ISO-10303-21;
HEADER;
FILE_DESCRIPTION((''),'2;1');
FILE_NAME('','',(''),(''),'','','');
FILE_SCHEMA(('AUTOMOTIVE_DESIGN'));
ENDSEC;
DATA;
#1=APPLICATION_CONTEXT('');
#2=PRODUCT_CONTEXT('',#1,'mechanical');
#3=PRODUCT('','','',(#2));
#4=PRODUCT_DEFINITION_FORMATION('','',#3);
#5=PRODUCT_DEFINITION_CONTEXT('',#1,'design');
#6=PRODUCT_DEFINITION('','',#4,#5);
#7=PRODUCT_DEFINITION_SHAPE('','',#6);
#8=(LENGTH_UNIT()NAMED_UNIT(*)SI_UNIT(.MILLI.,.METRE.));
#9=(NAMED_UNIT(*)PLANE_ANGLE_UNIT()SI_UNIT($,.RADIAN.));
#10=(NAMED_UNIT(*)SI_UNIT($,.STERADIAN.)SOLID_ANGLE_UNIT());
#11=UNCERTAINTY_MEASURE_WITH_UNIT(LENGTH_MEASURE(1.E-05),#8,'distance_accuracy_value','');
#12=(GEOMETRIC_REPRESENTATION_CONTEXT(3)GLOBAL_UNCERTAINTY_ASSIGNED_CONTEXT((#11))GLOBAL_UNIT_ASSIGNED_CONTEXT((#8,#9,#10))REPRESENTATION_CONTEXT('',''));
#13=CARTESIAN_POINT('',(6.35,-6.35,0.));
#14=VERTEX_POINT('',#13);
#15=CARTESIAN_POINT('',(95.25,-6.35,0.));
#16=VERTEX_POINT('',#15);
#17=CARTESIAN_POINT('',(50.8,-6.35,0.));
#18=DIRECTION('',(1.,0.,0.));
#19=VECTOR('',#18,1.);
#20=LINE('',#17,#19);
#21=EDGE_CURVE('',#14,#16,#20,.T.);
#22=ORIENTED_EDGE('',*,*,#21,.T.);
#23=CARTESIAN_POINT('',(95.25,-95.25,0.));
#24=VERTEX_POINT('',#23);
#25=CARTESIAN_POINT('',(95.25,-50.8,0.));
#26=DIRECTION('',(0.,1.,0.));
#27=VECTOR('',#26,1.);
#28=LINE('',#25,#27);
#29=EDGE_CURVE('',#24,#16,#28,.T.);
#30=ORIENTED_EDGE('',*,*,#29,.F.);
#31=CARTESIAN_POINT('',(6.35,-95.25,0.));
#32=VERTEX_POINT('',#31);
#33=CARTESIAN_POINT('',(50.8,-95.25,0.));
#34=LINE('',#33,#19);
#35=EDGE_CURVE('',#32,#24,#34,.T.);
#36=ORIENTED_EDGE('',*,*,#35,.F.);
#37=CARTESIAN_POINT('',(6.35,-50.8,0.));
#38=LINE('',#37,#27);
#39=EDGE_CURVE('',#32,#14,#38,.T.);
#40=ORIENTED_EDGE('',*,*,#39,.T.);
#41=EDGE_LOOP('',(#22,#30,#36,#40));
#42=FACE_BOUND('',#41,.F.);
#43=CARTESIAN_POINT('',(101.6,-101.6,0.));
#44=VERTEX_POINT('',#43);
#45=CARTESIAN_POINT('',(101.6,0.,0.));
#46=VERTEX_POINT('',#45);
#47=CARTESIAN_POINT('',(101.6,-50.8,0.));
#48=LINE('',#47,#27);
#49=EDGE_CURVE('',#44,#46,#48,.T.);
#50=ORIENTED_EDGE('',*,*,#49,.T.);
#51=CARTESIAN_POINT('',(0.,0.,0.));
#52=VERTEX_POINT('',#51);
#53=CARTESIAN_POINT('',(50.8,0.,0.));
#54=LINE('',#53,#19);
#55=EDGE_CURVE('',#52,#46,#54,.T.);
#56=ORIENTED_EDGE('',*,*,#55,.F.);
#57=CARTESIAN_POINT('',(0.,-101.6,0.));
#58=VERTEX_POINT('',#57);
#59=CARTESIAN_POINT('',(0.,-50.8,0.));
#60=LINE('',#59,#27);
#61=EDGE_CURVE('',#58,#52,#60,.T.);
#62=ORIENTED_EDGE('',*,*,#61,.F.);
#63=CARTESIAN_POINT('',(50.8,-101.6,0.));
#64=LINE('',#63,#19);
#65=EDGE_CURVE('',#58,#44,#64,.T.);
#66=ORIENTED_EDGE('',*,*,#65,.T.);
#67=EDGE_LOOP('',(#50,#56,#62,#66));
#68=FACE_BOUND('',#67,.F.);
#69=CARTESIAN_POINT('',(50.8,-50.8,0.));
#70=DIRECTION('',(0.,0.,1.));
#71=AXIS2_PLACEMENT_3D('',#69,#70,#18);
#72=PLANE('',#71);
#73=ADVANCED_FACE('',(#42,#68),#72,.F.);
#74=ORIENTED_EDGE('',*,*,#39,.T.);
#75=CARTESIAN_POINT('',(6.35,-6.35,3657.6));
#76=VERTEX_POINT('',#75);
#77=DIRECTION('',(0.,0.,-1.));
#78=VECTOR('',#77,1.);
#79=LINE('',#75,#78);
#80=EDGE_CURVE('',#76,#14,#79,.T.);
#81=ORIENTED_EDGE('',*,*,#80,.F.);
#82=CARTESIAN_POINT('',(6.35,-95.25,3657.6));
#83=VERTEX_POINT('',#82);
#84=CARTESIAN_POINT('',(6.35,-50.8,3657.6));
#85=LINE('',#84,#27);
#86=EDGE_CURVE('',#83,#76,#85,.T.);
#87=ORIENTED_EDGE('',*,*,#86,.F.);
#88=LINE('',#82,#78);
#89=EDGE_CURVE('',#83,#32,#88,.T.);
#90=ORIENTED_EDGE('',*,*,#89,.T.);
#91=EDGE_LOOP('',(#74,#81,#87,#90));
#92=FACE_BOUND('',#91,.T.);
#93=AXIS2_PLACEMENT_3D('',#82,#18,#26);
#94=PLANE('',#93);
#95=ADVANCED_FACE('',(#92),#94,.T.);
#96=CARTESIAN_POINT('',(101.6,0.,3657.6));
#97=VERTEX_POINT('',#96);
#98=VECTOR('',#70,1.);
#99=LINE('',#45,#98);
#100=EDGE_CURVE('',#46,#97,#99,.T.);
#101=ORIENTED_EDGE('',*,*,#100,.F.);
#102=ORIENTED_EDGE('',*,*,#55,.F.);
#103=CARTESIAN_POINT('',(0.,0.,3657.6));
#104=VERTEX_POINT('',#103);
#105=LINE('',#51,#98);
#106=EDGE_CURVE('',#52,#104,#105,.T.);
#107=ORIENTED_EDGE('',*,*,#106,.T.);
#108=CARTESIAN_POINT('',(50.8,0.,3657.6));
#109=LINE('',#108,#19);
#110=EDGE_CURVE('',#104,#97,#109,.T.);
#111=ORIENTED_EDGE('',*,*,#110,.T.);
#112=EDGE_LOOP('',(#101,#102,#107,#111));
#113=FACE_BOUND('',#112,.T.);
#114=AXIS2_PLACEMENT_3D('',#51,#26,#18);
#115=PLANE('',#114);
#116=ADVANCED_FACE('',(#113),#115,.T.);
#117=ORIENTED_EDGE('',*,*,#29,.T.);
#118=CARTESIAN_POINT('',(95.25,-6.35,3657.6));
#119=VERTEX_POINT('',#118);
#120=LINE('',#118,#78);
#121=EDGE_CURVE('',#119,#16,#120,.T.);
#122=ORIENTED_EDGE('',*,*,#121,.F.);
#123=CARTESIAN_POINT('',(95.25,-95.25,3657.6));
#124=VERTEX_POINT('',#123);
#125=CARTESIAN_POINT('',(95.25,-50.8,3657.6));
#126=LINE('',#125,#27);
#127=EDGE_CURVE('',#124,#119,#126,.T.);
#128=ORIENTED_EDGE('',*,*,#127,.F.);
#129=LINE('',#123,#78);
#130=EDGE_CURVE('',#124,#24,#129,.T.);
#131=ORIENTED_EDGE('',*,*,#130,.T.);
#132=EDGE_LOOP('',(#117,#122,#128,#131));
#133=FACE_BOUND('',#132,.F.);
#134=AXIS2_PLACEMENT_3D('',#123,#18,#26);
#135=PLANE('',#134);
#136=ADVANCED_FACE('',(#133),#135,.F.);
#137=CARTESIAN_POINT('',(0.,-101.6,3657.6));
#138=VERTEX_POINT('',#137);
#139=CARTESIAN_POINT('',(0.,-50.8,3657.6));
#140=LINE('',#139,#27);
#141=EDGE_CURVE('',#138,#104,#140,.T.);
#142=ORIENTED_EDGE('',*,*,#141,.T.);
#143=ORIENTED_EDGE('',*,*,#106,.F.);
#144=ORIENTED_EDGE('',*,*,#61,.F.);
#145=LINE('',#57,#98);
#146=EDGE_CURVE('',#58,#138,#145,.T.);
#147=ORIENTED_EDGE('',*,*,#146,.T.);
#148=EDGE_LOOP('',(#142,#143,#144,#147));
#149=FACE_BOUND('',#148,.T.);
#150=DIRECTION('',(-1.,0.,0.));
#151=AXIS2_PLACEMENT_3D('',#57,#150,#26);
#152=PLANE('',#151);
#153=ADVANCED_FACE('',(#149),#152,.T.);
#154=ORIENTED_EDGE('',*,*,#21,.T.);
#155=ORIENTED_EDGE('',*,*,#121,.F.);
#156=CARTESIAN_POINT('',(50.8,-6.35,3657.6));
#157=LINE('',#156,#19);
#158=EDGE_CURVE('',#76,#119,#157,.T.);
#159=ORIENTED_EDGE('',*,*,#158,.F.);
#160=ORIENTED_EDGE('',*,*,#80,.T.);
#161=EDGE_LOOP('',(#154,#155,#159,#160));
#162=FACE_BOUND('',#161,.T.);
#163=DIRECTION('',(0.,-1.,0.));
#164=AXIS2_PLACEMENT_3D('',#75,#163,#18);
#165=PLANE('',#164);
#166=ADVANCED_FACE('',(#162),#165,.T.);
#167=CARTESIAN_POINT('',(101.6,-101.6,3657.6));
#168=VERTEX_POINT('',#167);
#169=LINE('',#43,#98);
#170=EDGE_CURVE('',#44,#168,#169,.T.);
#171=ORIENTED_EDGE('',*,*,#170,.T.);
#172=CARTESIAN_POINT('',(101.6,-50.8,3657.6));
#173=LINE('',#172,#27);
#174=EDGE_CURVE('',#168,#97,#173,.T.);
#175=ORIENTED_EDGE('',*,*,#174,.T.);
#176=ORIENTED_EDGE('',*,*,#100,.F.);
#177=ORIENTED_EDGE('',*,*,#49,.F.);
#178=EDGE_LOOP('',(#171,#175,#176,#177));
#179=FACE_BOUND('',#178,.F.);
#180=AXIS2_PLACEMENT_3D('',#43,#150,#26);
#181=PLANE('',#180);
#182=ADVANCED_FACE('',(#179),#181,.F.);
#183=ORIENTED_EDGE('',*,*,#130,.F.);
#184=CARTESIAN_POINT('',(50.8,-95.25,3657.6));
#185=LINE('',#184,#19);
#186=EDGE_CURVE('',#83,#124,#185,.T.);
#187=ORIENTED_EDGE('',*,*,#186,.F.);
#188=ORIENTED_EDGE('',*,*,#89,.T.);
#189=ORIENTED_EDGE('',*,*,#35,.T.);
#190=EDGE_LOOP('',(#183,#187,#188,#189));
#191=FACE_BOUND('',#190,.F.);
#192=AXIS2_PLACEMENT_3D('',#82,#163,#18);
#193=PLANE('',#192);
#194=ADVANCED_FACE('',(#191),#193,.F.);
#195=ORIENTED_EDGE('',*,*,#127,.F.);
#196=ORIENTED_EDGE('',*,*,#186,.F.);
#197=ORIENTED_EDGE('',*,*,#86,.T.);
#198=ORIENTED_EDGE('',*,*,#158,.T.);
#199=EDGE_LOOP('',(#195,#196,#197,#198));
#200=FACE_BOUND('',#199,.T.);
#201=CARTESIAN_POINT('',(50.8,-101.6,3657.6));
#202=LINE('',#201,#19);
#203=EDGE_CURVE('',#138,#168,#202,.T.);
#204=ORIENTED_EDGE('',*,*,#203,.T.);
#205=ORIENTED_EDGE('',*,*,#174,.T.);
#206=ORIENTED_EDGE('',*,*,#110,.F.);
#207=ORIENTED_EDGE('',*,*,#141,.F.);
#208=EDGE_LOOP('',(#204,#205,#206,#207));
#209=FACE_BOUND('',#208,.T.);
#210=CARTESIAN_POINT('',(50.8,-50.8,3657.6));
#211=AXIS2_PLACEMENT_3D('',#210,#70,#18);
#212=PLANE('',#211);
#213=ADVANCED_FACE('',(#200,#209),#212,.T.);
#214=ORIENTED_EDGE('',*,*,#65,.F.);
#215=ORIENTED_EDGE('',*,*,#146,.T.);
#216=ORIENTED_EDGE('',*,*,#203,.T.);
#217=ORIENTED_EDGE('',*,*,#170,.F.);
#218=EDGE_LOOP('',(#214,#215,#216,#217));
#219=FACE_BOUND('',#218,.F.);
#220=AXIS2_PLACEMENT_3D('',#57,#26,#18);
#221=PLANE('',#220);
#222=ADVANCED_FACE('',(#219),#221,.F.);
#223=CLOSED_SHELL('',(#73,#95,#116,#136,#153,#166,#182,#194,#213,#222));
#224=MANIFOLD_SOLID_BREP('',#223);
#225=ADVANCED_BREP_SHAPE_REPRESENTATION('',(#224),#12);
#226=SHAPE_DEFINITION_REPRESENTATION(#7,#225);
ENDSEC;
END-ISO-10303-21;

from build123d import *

# Parameters (mm, degrees)
F0_W      = 101.6
F0_H      = 101.6
F1_DEPTH  = 3657.6
F2_W      = 88.9
F2_H      = 88.9
F3_DEPTH  = 3657.6
F4_W      = 88.9
F4_H      = 88.9
F5_DEPTH  = 254
F6_W      = 88.9
F6_H      = 88.9
F7_DEPTH  = 254
F9_W      = 101.6
F9_H      = 112.826722
F10_DEPTH = 3251.2


with BuildPart() as f1:
    # F0 (on Top) → F1 (new body)
    with BuildSketch(Plane.XY):
        with Locations((50.8, -50.8)):
            Rectangle(F0_W, F0_H)
    extrude(amount=F1_DEPTH)

    # F2 (on face) → F3 (cut)
    with BuildSketch(Plane.XY.offset(3657.6)):
        with Locations((50.8, -50.8)):
            Rectangle(F2_W, F2_H)
    extrude(amount=-F3_DEPTH, mode=Mode.SUBTRACT)


with BuildPart() as f5:
    # F4 (on face) → F5 (new body)
    with BuildSketch(Plane.XY.offset(3657.6)):
        with Locations((50.8, -50.8)):
            Rectangle(F4_W, F4_H)
    extrude(amount=F5_DEPTH)

    # F6 (on face) → F7 (join)
    with BuildSketch(Plane.YZ.offset(95.25)):
        with Locations((-50.8, 3867.15)):
            Rectangle(F6_W, F6_H)
    extrude(amount=F7_DEPTH)


with BuildPart() as f5_1:
    # F8: moved
    add(f5.part.moved(Location((0, 0, -152.4))))

    # F9 (on face) → F10 (join)
    with BuildSketch(Plane.YZ.offset(349.25)):
        with Locations((-50.8, 3714.75)):
            Rectangle(F9_W, F9_H)
    extrude(amount=F10_DEPTH)


solid = f1.part
